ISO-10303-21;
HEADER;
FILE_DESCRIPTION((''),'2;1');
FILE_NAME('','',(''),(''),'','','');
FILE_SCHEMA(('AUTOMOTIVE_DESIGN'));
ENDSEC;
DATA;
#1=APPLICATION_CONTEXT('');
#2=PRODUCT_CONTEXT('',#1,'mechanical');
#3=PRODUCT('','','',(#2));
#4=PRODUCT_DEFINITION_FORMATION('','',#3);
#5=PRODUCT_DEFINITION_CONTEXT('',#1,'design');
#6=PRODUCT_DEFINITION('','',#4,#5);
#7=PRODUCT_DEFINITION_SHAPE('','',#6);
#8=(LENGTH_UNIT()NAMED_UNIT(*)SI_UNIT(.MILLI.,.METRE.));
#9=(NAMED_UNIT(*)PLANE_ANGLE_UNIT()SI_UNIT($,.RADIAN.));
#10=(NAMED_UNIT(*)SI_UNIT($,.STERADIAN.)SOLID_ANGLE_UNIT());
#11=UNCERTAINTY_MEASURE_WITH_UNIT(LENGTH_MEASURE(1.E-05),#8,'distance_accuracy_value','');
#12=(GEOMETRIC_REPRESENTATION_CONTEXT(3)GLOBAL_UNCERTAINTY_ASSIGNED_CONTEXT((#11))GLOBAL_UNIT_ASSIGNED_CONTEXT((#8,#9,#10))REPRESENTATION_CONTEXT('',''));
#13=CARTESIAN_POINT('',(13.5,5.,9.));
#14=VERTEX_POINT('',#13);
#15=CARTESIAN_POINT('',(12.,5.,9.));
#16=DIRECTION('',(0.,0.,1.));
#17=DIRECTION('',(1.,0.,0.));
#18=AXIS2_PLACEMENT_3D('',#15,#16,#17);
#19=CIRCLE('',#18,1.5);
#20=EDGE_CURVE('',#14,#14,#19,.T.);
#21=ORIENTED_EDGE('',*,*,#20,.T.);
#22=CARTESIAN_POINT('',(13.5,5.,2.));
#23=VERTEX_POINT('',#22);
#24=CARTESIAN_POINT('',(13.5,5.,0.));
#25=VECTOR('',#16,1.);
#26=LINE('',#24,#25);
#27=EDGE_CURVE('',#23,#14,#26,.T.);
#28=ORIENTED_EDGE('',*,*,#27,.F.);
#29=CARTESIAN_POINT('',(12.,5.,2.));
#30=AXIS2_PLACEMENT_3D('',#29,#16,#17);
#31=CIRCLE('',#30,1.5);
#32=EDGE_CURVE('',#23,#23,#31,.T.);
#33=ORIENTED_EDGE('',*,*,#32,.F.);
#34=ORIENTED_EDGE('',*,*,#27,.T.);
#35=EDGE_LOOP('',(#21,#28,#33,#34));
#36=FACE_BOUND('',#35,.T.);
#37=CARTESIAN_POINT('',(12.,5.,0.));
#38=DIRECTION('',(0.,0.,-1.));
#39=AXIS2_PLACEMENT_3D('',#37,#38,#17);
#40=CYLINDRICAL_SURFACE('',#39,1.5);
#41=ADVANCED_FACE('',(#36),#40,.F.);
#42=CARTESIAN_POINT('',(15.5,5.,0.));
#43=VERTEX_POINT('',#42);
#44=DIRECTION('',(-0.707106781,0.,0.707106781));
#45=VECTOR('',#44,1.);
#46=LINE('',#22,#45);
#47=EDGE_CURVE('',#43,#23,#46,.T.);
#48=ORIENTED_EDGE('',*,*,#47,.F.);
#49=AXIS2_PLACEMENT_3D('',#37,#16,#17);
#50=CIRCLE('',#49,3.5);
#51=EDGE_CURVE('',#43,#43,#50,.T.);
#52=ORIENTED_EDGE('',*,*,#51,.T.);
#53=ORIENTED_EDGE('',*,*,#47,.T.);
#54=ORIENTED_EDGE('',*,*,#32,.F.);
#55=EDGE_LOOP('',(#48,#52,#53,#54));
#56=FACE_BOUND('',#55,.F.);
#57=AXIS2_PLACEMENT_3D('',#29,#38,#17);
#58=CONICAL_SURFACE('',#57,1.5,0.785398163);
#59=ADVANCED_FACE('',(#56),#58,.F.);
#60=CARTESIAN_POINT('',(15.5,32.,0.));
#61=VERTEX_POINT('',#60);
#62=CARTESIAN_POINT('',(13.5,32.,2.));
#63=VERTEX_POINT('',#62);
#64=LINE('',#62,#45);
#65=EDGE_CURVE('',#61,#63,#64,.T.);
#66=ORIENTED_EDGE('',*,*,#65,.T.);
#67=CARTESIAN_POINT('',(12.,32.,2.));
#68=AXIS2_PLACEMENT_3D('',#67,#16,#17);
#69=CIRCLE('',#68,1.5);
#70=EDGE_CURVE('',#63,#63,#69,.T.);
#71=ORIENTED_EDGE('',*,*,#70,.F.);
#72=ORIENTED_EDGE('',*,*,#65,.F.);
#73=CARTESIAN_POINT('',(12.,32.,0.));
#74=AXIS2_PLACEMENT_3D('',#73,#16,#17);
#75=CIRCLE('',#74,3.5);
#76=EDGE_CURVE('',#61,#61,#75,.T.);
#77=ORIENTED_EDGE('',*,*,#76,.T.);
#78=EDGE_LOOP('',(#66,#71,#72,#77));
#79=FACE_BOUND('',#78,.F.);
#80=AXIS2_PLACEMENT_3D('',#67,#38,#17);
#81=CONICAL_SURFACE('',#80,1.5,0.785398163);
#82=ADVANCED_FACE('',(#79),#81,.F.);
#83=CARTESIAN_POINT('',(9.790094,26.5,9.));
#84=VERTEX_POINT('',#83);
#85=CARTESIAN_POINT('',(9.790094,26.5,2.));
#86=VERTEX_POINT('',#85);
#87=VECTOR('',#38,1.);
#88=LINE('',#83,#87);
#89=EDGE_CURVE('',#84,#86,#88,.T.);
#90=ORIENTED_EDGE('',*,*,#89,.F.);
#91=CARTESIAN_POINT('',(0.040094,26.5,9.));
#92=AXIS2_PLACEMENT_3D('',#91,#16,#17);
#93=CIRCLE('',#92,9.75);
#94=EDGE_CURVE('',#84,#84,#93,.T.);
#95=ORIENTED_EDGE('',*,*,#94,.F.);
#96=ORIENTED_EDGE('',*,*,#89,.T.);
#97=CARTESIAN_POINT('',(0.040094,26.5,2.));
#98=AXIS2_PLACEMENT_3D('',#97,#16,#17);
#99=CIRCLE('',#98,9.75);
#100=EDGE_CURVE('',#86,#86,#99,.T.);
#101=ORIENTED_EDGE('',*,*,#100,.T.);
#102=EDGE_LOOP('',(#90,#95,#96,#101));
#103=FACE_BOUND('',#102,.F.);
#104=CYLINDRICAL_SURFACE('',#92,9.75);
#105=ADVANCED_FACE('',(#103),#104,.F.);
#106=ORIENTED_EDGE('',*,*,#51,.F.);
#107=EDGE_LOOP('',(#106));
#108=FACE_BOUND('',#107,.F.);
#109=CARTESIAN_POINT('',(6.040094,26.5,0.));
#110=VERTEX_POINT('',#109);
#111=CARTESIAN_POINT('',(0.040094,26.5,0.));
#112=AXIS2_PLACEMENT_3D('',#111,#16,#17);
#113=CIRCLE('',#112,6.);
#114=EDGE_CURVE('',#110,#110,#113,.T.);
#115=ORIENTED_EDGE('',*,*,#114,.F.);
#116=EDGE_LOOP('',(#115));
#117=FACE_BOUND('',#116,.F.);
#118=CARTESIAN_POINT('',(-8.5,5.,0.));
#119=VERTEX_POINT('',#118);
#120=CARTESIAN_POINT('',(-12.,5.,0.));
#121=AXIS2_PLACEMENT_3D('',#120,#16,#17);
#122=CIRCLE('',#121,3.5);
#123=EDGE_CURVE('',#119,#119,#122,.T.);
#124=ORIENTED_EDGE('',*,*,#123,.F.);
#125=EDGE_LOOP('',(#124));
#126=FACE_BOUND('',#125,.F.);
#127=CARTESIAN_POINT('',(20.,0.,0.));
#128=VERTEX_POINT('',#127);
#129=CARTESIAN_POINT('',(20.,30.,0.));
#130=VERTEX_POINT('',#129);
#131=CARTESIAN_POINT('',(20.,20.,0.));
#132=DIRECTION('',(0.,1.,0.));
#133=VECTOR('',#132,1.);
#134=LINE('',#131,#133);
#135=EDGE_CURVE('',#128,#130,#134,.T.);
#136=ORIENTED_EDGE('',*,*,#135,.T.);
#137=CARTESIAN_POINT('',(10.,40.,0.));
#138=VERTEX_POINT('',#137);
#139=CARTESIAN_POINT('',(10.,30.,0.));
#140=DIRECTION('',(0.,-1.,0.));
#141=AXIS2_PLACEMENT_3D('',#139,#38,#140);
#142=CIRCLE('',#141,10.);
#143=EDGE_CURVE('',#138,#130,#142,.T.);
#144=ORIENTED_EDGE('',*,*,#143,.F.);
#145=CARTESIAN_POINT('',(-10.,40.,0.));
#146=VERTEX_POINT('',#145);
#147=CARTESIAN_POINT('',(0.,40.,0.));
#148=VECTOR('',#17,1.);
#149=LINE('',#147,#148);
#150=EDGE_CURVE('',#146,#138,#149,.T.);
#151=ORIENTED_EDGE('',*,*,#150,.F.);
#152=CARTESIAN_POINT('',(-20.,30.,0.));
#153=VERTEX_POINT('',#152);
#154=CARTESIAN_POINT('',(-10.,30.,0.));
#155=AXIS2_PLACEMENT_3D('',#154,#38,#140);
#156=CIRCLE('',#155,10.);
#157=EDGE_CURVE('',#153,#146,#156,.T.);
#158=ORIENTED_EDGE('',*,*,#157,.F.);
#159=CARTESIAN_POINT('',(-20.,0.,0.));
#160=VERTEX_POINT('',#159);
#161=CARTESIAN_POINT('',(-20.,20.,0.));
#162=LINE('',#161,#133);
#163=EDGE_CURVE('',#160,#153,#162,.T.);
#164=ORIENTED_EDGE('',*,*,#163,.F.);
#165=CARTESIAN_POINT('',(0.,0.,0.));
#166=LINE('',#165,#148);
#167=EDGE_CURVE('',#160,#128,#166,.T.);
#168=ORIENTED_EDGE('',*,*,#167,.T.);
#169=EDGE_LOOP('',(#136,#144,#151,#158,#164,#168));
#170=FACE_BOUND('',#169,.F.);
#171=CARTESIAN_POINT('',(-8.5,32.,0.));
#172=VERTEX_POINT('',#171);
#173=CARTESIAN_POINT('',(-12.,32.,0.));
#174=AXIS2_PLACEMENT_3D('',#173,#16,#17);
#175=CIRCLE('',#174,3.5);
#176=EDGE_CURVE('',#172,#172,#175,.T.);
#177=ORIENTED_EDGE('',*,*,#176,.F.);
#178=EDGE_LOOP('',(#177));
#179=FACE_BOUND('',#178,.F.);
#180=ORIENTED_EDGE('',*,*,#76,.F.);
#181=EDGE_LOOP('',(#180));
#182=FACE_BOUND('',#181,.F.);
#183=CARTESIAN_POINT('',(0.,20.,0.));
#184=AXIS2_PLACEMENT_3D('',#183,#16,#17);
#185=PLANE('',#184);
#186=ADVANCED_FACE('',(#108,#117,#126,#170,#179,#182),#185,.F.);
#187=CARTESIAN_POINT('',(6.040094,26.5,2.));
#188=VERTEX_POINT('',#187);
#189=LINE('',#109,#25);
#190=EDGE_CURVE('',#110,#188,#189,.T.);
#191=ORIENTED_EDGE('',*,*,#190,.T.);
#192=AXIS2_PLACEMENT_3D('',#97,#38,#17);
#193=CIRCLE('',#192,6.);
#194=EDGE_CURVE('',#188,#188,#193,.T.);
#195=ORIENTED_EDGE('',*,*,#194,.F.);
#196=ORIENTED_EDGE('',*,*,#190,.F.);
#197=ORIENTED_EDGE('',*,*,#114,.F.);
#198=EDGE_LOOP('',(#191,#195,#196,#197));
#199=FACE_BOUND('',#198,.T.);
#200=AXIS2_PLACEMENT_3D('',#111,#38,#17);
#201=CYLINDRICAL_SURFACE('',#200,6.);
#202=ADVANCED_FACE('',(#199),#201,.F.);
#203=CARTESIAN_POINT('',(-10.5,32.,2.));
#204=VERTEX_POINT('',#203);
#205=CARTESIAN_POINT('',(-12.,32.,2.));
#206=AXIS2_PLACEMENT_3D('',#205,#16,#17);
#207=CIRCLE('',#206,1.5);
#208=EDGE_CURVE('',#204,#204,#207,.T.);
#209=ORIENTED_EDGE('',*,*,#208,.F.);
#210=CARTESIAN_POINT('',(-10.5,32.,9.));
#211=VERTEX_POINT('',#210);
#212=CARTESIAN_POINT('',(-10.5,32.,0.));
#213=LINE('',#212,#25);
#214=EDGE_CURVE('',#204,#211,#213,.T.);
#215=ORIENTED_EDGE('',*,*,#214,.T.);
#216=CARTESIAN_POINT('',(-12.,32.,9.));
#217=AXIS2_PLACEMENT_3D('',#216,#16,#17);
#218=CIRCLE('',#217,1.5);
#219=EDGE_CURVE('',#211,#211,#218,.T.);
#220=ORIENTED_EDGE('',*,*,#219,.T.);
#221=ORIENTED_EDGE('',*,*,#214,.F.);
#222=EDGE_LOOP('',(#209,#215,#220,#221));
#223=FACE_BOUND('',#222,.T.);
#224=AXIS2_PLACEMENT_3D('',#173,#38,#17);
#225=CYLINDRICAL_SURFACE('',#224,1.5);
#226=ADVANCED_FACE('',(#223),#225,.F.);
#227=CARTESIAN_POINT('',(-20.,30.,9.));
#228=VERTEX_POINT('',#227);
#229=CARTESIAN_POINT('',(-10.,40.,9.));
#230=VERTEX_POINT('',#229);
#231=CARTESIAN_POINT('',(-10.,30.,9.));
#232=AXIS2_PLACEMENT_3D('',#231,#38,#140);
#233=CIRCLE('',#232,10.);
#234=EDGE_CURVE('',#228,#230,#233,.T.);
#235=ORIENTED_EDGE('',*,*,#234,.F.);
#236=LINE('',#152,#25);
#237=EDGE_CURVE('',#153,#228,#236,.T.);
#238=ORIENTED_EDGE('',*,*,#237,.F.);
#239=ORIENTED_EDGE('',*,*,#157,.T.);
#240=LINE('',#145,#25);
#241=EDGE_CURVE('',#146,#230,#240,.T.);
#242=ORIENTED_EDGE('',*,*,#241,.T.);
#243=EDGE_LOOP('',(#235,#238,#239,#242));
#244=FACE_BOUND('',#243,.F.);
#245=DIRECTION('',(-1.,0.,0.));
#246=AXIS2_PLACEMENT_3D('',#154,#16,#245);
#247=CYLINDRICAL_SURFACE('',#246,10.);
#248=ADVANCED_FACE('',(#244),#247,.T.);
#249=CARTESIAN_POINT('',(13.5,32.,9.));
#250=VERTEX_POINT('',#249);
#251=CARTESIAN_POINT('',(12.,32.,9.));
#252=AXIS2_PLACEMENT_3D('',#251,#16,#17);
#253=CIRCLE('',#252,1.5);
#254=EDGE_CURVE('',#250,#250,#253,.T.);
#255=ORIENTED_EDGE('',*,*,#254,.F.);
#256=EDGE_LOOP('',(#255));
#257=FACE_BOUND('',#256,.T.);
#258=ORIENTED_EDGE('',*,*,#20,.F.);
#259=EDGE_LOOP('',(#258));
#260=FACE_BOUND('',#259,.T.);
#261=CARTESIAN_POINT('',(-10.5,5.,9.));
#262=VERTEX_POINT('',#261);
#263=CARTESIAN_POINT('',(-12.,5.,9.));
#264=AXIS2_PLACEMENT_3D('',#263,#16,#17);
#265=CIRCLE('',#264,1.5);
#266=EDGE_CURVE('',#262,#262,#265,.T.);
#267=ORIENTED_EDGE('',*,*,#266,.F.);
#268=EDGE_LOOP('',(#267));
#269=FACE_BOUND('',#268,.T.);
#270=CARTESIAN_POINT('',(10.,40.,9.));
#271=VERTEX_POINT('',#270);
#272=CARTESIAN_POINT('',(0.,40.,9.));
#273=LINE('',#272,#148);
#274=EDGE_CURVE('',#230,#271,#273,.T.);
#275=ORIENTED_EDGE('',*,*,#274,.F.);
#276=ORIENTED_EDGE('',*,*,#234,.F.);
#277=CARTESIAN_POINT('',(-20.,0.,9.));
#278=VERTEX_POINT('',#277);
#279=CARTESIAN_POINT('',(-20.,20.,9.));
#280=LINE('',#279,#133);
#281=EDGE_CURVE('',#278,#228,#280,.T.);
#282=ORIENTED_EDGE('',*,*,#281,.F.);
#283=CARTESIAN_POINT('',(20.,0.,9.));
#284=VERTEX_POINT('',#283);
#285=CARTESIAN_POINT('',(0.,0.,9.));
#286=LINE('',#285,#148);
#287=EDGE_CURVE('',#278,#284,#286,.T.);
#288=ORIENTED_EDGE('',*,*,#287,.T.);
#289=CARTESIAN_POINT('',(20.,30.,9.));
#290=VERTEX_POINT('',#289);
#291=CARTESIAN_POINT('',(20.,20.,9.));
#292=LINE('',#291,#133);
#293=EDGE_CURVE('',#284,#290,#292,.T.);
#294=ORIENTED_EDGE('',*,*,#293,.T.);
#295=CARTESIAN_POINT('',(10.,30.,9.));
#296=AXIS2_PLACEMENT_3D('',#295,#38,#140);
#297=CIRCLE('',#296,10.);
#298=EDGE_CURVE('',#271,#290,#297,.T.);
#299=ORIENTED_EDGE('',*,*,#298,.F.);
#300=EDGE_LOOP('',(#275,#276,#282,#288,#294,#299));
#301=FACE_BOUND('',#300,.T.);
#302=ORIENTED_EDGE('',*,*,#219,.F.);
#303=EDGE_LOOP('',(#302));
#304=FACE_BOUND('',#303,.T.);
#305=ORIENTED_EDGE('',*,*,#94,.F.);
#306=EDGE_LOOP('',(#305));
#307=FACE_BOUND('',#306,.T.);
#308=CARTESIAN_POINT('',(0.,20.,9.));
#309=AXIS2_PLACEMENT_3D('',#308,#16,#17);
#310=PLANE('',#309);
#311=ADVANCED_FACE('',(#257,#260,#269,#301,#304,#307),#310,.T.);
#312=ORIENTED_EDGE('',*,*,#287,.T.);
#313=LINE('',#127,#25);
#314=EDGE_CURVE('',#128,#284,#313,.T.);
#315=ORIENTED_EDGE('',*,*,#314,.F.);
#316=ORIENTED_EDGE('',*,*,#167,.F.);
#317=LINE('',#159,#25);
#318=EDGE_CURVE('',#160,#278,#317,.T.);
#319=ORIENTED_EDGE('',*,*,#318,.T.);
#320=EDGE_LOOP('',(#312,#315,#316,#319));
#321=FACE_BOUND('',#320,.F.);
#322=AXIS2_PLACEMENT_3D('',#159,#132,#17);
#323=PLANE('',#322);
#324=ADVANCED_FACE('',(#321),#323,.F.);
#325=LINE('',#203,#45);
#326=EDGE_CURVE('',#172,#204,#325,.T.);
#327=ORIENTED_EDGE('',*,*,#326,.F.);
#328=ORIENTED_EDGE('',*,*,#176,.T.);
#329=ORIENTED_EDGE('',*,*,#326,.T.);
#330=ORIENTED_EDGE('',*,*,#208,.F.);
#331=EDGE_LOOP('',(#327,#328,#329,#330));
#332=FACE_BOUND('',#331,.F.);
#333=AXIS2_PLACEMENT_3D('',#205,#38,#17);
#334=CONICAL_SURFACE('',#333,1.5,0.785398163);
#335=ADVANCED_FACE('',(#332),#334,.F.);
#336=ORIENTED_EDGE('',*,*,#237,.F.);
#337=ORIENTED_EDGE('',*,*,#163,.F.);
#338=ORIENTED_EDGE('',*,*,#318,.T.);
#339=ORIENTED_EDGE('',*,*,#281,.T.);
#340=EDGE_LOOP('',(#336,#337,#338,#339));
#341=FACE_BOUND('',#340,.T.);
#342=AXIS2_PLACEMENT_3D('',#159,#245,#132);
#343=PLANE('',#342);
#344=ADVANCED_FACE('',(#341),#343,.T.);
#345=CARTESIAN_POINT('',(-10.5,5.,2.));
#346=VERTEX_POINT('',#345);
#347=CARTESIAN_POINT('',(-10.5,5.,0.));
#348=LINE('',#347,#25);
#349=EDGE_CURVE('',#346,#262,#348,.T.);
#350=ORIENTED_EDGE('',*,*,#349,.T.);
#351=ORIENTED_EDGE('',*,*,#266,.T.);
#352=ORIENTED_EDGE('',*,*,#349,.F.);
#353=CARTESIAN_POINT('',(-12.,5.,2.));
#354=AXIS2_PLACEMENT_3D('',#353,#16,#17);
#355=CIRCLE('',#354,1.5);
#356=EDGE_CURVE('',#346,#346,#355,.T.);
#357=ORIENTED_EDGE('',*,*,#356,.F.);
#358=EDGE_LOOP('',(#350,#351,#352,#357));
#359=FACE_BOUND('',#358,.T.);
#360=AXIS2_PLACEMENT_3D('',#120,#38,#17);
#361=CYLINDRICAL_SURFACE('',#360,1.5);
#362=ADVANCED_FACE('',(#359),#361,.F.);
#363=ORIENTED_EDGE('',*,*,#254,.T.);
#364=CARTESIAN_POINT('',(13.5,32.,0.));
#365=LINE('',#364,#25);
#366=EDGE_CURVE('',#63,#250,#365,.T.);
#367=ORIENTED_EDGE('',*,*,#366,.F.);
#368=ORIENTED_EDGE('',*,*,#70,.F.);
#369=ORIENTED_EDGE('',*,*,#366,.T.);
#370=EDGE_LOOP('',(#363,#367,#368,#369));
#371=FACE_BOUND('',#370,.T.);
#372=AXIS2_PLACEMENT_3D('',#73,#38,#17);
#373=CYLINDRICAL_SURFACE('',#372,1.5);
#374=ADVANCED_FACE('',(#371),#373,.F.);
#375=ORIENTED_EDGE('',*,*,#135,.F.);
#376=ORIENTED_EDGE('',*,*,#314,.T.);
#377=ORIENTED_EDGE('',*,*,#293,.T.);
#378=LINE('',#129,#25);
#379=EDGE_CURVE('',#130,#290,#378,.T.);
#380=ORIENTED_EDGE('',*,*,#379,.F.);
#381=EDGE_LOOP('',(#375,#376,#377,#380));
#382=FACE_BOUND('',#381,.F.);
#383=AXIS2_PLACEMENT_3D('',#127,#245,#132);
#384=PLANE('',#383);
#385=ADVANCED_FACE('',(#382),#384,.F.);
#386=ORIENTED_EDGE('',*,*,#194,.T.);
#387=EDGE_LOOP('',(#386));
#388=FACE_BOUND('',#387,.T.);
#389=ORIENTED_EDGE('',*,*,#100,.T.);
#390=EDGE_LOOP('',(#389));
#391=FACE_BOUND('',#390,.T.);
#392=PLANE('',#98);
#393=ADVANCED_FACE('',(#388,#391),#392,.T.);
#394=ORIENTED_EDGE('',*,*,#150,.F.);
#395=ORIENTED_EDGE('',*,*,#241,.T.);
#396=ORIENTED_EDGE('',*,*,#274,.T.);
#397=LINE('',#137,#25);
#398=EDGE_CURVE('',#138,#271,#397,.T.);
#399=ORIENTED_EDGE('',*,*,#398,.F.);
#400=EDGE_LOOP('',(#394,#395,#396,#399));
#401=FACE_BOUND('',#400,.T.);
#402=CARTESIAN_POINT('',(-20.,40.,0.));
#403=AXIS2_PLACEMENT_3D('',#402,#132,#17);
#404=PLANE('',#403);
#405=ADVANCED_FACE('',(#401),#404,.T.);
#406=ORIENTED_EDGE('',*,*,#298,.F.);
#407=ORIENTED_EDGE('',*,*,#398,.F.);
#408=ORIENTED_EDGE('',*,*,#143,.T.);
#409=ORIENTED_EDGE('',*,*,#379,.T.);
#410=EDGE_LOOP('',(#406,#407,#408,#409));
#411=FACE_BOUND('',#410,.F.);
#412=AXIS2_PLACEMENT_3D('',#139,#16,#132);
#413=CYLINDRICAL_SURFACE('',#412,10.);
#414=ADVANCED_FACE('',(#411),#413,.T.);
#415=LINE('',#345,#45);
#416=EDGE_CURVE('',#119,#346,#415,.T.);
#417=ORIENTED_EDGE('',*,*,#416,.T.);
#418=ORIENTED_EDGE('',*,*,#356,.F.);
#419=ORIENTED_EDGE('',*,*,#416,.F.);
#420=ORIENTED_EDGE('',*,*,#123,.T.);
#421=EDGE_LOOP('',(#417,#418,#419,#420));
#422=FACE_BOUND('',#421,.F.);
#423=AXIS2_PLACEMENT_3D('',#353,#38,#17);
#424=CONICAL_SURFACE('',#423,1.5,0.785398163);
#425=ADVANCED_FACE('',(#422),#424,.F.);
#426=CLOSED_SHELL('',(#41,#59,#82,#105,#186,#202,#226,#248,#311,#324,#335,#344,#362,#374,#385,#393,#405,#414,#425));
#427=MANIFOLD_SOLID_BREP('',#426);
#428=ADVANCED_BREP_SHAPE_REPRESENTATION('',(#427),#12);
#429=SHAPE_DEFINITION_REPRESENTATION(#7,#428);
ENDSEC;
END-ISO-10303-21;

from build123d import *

# Parameters (mm, degrees)
SKETCH_W     = 40
SKETCH_H     = 40
SKETCH_R     = 6
SKETCH_R_2   = 1.5
PAD_DEPTH    = 9
SKETCH001_R  = 9.75
POCKET_DEPTH = 7
CHAMFER_SIZE = 2
FILLET_R     = 10


with BuildPart() as part:
    # Sketch → Pad (new body)
    with BuildSketch(Plane.XY):
        with Locations((0, 20)):
            Rectangle(SKETCH_W, SKETCH_H)
        with Locations((0.040094, 26.5)):
            Circle(SKETCH_R, mode=Mode.SUBTRACT)
        with Locations((-12, 32)):
            Circle(SKETCH_R_2, mode=Mode.SUBTRACT)
        with Locations((12, 32)):
            Circle(SKETCH_R_2, mode=Mode.SUBTRACT)
        with Locations((-12, 5)):
            Circle(SKETCH_R_2, mode=Mode.SUBTRACT)
        with Locations((12, 5)):
            Circle(SKETCH_R_2, mode=Mode.SUBTRACT)
    extrude(amount=PAD_DEPTH)

    # Sketch001 (on Face11 of Pad) → Pocket (cut)
    with BuildSketch(Plane.XY.offset(9)):
        with Locations((0.040094, 26.5)):
            Circle(SKETCH001_R)
    extrude(amount=-POCKET_DEPTH, mode=Mode.SUBTRACT)

    # Chamfer
    chamfer_edges = [part.edges().sort_by_distance(p)[0] for p in [
        (-13.5, 32, 0),
        (10.5, 32, 0),
        (10.5, 5, 0),
        (-13.5, 5, 0),
    ]]
    chamfer(chamfer_edges, length=CHAMFER_SIZE)

    # Fillet
    fillet_edges = [part.edges().sort_by_distance(p)[0] for p in [
        (20, 40, 4.5),
        (-20, 40, 4.5),
    ]]
    fillet(fillet_edges, radius=FILLET_R)


solid = part.part
